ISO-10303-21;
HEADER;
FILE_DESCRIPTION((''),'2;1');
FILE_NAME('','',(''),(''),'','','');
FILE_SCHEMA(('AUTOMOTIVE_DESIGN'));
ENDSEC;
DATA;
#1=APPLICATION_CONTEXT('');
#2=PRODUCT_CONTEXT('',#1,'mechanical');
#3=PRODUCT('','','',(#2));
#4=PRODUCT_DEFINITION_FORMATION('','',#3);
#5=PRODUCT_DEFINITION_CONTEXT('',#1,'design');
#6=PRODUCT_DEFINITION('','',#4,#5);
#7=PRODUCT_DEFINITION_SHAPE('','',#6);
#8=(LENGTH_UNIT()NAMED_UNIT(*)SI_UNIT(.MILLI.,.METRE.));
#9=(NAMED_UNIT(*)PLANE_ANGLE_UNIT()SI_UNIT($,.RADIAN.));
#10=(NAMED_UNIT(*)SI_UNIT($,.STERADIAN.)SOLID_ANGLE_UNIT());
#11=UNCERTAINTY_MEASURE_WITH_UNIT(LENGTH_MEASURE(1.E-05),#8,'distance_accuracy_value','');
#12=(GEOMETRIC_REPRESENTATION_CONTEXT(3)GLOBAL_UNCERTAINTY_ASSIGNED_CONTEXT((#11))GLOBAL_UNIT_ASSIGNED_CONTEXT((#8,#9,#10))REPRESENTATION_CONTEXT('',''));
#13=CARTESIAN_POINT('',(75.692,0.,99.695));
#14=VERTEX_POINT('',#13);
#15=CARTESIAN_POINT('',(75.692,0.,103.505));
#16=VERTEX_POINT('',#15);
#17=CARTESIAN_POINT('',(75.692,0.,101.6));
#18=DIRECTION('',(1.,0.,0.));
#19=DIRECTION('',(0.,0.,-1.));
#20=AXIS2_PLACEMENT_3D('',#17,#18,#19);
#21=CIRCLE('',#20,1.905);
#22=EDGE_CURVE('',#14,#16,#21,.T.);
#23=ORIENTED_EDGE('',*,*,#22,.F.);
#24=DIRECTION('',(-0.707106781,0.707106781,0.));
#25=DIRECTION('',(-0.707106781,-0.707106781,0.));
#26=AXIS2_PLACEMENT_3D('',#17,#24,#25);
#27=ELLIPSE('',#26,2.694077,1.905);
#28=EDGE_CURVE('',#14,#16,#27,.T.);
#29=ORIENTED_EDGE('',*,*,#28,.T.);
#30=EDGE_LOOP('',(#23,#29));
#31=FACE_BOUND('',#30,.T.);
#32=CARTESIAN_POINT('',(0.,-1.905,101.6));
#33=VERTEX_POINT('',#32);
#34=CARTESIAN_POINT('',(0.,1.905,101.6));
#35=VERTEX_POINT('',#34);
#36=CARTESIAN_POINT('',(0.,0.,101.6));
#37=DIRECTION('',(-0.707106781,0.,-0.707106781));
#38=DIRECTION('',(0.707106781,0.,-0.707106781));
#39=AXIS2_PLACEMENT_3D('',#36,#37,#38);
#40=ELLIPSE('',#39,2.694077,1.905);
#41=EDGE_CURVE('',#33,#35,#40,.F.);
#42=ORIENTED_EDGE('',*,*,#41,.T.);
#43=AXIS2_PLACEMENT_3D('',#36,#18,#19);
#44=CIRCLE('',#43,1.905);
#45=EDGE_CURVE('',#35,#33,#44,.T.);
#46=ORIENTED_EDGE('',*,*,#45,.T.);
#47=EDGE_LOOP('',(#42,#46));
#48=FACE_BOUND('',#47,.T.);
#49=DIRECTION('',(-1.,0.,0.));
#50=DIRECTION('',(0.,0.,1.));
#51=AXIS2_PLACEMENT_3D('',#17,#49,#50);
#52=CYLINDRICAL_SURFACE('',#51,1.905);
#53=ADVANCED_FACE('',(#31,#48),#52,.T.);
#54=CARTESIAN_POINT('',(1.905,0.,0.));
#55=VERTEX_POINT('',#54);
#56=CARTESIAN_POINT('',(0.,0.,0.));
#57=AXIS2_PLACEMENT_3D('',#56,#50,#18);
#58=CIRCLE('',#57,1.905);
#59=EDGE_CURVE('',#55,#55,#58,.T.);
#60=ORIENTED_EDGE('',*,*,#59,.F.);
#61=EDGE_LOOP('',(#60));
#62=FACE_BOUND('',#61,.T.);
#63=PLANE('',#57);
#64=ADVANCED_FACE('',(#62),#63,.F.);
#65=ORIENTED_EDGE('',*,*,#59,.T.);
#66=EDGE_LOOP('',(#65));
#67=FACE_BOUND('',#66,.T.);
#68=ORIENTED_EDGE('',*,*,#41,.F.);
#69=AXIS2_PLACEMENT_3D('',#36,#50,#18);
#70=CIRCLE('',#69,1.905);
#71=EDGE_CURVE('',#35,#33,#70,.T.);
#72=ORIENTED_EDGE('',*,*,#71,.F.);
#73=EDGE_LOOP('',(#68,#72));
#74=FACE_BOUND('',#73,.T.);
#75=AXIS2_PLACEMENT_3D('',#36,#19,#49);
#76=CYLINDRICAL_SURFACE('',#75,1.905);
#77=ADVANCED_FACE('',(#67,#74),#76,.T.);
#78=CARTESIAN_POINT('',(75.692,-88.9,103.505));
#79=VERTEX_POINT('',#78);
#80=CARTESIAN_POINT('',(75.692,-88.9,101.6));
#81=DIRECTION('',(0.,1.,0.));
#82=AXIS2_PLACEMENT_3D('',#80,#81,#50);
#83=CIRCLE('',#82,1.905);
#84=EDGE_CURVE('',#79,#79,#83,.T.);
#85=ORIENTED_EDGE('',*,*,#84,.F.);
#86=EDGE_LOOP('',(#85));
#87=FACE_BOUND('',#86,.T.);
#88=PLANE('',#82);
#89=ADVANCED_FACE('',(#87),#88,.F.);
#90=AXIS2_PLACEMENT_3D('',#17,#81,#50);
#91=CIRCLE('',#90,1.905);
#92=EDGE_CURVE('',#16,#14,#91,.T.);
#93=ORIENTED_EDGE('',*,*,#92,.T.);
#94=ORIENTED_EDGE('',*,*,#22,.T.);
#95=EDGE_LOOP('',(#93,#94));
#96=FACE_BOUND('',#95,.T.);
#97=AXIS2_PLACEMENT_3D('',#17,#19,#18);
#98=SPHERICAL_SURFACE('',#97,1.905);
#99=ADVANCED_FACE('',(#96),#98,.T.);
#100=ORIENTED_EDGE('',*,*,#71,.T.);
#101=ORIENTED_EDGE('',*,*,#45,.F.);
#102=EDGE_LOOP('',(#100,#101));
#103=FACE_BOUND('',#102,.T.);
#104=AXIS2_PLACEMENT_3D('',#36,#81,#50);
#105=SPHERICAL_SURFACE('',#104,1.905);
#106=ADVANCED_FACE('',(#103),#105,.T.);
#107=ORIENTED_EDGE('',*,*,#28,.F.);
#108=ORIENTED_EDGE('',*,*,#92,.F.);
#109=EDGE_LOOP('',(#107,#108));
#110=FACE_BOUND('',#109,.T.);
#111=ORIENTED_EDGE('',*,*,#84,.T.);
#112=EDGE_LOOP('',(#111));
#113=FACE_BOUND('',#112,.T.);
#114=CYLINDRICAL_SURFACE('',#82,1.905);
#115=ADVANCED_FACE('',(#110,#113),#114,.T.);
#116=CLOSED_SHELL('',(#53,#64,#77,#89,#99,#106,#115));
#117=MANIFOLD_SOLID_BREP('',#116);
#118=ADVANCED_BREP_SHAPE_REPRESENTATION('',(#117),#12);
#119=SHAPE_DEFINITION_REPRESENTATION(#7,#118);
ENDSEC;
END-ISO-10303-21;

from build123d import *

# Parameters (mm, degrees)
SKETCH4_R           = 1.905
BOSS_EXTRUDE1_DEPTH = 101.6
SKETCH5_R           = 1.905
BOSS_EXTRUDE2_DEPTH = 75.692
SKETCH7_R           = 1.905
BOSS_EXTRUDE3_DEPTH = 88.9


with BuildPart() as part:
    # Sketch4 → Boss-Extrude1 (new body)
    with BuildSketch(Plane.XY):
        Circle(SKETCH4_R)
    extrude(amount=BOSS_EXTRUDE1_DEPTH)

    # Sketch5 → Boss-Extrude2 (add)
    with BuildSketch(Plane(origin=(0, 0, 0), x_dir=(0, 0, -1), z_dir=(1, 0, 0))):
        with Locations((-101.6, 0)):
            Circle(SKETCH5_R)
    extrude(amount=BOSS_EXTRUDE2_DEPTH)

    # Sketch6 → Revolve1 (revolve)
    with BuildSketch(Plane.ZY):
        with BuildLine():
            Line((101.6, 1.905), (101.6, -1.905))
            ThreePointArc((101.6, -1.905), (103.505, 0), (101.6, 1.905))
        make_face()
    revolve(axis=Axis((0, 1.905, 101.6), (0, -1, 0)))

    # Sketch7 → Boss-Extrude3 (add)
    with BuildSketch(Plane(origin=(0, 0, 0), x_dir=(1, 0, 0), z_dir=(0, 1, 0))):
        with Locations((75.692, -101.6)):
            Circle(SKETCH7_R)
    extrude(amount=-BOSS_EXTRUDE3_DEPTH)

    # Sketch8 → Revolve2 (revolve)
    with BuildSketch(Plane(origin=(0, 0, 0), x_dir=(1, 0, 0), z_dir=(0, 1, 0))):
        with BuildLine():
            Line((75.692, -99.695), (75.692, -103.505))
            ThreePointArc((75.692, -103.505), (77.597, -101.6), (75.692, -99.695))
        make_face()
    revolve(axis=Axis((75.692, 0, 99.695), (0, 0, 1)))


solid = part.part
